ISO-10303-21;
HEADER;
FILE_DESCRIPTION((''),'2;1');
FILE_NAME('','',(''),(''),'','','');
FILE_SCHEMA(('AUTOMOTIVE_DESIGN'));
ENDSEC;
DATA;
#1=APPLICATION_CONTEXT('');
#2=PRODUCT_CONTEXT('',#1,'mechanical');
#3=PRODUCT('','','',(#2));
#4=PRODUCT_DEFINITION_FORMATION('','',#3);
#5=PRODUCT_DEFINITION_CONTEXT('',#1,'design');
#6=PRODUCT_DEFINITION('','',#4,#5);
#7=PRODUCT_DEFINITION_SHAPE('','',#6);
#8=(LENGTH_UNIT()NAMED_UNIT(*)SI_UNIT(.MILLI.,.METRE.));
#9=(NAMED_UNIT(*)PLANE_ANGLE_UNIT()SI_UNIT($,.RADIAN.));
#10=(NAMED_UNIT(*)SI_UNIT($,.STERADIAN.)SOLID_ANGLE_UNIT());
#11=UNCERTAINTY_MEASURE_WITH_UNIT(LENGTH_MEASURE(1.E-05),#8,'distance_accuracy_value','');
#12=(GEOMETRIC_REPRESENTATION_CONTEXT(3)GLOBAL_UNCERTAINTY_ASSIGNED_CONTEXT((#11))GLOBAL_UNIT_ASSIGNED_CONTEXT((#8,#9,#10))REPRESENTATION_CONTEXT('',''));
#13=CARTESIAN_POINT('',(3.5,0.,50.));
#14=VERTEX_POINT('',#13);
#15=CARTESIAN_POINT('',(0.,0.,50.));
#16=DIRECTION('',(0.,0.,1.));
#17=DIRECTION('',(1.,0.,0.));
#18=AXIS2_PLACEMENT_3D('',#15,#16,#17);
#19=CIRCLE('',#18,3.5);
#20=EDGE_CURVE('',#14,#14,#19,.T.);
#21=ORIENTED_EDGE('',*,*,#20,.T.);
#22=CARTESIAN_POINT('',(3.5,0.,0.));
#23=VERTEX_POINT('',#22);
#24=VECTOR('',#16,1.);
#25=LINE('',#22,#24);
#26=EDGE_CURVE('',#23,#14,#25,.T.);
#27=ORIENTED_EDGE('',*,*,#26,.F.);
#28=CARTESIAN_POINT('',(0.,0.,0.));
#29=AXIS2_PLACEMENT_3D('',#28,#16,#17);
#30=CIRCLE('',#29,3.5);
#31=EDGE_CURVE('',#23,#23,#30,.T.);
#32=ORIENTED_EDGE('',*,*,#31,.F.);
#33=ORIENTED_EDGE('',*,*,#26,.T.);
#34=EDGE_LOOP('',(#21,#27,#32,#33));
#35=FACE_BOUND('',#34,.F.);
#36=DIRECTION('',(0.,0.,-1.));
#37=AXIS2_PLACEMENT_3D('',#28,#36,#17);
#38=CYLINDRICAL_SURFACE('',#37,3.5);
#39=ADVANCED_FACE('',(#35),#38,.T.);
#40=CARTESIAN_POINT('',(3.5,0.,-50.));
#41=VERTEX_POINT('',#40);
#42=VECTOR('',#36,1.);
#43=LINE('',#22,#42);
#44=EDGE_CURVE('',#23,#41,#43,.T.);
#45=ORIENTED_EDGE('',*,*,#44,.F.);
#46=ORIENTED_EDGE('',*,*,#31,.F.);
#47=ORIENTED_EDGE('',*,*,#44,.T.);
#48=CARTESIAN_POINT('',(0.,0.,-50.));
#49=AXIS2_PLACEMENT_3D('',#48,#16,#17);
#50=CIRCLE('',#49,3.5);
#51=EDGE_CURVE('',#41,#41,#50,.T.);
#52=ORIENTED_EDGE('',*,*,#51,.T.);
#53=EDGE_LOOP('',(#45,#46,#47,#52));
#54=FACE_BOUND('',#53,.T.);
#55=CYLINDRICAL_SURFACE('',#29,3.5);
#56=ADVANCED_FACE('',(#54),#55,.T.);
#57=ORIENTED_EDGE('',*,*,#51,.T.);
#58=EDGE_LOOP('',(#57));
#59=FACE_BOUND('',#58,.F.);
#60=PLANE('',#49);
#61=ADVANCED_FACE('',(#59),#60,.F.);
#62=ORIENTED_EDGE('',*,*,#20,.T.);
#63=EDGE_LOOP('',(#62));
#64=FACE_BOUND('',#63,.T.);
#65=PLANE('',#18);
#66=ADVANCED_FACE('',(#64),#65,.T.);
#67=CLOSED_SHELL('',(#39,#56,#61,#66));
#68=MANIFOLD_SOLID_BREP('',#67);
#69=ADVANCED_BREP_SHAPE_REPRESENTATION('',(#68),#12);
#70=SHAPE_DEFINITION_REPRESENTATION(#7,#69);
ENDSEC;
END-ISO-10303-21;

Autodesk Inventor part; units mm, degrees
ref_plane "YZ Plane" through (0, 0, 0) normal (1, 0, 0) x (0, 1, 0)
ref_plane "XZ Plane" through (0, 0, 0) normal (0, 1, 0) x (-1, 0, 0)
ref_plane "XY Plane" through (0, 0, 0) normal (0, 0, 1) x (1, 0, 0)
sketch "Sketch1" plane through (0, 0, 0) normal (0, 0, 1) x (1, 0, 0)
  circle A0 centre (0, 0) radius 3.5
  dimension "d0" = 7
extrude "Extrusion1" add sketch "Sketch1" along normal mid plane 100
properties part number "Shaft"
